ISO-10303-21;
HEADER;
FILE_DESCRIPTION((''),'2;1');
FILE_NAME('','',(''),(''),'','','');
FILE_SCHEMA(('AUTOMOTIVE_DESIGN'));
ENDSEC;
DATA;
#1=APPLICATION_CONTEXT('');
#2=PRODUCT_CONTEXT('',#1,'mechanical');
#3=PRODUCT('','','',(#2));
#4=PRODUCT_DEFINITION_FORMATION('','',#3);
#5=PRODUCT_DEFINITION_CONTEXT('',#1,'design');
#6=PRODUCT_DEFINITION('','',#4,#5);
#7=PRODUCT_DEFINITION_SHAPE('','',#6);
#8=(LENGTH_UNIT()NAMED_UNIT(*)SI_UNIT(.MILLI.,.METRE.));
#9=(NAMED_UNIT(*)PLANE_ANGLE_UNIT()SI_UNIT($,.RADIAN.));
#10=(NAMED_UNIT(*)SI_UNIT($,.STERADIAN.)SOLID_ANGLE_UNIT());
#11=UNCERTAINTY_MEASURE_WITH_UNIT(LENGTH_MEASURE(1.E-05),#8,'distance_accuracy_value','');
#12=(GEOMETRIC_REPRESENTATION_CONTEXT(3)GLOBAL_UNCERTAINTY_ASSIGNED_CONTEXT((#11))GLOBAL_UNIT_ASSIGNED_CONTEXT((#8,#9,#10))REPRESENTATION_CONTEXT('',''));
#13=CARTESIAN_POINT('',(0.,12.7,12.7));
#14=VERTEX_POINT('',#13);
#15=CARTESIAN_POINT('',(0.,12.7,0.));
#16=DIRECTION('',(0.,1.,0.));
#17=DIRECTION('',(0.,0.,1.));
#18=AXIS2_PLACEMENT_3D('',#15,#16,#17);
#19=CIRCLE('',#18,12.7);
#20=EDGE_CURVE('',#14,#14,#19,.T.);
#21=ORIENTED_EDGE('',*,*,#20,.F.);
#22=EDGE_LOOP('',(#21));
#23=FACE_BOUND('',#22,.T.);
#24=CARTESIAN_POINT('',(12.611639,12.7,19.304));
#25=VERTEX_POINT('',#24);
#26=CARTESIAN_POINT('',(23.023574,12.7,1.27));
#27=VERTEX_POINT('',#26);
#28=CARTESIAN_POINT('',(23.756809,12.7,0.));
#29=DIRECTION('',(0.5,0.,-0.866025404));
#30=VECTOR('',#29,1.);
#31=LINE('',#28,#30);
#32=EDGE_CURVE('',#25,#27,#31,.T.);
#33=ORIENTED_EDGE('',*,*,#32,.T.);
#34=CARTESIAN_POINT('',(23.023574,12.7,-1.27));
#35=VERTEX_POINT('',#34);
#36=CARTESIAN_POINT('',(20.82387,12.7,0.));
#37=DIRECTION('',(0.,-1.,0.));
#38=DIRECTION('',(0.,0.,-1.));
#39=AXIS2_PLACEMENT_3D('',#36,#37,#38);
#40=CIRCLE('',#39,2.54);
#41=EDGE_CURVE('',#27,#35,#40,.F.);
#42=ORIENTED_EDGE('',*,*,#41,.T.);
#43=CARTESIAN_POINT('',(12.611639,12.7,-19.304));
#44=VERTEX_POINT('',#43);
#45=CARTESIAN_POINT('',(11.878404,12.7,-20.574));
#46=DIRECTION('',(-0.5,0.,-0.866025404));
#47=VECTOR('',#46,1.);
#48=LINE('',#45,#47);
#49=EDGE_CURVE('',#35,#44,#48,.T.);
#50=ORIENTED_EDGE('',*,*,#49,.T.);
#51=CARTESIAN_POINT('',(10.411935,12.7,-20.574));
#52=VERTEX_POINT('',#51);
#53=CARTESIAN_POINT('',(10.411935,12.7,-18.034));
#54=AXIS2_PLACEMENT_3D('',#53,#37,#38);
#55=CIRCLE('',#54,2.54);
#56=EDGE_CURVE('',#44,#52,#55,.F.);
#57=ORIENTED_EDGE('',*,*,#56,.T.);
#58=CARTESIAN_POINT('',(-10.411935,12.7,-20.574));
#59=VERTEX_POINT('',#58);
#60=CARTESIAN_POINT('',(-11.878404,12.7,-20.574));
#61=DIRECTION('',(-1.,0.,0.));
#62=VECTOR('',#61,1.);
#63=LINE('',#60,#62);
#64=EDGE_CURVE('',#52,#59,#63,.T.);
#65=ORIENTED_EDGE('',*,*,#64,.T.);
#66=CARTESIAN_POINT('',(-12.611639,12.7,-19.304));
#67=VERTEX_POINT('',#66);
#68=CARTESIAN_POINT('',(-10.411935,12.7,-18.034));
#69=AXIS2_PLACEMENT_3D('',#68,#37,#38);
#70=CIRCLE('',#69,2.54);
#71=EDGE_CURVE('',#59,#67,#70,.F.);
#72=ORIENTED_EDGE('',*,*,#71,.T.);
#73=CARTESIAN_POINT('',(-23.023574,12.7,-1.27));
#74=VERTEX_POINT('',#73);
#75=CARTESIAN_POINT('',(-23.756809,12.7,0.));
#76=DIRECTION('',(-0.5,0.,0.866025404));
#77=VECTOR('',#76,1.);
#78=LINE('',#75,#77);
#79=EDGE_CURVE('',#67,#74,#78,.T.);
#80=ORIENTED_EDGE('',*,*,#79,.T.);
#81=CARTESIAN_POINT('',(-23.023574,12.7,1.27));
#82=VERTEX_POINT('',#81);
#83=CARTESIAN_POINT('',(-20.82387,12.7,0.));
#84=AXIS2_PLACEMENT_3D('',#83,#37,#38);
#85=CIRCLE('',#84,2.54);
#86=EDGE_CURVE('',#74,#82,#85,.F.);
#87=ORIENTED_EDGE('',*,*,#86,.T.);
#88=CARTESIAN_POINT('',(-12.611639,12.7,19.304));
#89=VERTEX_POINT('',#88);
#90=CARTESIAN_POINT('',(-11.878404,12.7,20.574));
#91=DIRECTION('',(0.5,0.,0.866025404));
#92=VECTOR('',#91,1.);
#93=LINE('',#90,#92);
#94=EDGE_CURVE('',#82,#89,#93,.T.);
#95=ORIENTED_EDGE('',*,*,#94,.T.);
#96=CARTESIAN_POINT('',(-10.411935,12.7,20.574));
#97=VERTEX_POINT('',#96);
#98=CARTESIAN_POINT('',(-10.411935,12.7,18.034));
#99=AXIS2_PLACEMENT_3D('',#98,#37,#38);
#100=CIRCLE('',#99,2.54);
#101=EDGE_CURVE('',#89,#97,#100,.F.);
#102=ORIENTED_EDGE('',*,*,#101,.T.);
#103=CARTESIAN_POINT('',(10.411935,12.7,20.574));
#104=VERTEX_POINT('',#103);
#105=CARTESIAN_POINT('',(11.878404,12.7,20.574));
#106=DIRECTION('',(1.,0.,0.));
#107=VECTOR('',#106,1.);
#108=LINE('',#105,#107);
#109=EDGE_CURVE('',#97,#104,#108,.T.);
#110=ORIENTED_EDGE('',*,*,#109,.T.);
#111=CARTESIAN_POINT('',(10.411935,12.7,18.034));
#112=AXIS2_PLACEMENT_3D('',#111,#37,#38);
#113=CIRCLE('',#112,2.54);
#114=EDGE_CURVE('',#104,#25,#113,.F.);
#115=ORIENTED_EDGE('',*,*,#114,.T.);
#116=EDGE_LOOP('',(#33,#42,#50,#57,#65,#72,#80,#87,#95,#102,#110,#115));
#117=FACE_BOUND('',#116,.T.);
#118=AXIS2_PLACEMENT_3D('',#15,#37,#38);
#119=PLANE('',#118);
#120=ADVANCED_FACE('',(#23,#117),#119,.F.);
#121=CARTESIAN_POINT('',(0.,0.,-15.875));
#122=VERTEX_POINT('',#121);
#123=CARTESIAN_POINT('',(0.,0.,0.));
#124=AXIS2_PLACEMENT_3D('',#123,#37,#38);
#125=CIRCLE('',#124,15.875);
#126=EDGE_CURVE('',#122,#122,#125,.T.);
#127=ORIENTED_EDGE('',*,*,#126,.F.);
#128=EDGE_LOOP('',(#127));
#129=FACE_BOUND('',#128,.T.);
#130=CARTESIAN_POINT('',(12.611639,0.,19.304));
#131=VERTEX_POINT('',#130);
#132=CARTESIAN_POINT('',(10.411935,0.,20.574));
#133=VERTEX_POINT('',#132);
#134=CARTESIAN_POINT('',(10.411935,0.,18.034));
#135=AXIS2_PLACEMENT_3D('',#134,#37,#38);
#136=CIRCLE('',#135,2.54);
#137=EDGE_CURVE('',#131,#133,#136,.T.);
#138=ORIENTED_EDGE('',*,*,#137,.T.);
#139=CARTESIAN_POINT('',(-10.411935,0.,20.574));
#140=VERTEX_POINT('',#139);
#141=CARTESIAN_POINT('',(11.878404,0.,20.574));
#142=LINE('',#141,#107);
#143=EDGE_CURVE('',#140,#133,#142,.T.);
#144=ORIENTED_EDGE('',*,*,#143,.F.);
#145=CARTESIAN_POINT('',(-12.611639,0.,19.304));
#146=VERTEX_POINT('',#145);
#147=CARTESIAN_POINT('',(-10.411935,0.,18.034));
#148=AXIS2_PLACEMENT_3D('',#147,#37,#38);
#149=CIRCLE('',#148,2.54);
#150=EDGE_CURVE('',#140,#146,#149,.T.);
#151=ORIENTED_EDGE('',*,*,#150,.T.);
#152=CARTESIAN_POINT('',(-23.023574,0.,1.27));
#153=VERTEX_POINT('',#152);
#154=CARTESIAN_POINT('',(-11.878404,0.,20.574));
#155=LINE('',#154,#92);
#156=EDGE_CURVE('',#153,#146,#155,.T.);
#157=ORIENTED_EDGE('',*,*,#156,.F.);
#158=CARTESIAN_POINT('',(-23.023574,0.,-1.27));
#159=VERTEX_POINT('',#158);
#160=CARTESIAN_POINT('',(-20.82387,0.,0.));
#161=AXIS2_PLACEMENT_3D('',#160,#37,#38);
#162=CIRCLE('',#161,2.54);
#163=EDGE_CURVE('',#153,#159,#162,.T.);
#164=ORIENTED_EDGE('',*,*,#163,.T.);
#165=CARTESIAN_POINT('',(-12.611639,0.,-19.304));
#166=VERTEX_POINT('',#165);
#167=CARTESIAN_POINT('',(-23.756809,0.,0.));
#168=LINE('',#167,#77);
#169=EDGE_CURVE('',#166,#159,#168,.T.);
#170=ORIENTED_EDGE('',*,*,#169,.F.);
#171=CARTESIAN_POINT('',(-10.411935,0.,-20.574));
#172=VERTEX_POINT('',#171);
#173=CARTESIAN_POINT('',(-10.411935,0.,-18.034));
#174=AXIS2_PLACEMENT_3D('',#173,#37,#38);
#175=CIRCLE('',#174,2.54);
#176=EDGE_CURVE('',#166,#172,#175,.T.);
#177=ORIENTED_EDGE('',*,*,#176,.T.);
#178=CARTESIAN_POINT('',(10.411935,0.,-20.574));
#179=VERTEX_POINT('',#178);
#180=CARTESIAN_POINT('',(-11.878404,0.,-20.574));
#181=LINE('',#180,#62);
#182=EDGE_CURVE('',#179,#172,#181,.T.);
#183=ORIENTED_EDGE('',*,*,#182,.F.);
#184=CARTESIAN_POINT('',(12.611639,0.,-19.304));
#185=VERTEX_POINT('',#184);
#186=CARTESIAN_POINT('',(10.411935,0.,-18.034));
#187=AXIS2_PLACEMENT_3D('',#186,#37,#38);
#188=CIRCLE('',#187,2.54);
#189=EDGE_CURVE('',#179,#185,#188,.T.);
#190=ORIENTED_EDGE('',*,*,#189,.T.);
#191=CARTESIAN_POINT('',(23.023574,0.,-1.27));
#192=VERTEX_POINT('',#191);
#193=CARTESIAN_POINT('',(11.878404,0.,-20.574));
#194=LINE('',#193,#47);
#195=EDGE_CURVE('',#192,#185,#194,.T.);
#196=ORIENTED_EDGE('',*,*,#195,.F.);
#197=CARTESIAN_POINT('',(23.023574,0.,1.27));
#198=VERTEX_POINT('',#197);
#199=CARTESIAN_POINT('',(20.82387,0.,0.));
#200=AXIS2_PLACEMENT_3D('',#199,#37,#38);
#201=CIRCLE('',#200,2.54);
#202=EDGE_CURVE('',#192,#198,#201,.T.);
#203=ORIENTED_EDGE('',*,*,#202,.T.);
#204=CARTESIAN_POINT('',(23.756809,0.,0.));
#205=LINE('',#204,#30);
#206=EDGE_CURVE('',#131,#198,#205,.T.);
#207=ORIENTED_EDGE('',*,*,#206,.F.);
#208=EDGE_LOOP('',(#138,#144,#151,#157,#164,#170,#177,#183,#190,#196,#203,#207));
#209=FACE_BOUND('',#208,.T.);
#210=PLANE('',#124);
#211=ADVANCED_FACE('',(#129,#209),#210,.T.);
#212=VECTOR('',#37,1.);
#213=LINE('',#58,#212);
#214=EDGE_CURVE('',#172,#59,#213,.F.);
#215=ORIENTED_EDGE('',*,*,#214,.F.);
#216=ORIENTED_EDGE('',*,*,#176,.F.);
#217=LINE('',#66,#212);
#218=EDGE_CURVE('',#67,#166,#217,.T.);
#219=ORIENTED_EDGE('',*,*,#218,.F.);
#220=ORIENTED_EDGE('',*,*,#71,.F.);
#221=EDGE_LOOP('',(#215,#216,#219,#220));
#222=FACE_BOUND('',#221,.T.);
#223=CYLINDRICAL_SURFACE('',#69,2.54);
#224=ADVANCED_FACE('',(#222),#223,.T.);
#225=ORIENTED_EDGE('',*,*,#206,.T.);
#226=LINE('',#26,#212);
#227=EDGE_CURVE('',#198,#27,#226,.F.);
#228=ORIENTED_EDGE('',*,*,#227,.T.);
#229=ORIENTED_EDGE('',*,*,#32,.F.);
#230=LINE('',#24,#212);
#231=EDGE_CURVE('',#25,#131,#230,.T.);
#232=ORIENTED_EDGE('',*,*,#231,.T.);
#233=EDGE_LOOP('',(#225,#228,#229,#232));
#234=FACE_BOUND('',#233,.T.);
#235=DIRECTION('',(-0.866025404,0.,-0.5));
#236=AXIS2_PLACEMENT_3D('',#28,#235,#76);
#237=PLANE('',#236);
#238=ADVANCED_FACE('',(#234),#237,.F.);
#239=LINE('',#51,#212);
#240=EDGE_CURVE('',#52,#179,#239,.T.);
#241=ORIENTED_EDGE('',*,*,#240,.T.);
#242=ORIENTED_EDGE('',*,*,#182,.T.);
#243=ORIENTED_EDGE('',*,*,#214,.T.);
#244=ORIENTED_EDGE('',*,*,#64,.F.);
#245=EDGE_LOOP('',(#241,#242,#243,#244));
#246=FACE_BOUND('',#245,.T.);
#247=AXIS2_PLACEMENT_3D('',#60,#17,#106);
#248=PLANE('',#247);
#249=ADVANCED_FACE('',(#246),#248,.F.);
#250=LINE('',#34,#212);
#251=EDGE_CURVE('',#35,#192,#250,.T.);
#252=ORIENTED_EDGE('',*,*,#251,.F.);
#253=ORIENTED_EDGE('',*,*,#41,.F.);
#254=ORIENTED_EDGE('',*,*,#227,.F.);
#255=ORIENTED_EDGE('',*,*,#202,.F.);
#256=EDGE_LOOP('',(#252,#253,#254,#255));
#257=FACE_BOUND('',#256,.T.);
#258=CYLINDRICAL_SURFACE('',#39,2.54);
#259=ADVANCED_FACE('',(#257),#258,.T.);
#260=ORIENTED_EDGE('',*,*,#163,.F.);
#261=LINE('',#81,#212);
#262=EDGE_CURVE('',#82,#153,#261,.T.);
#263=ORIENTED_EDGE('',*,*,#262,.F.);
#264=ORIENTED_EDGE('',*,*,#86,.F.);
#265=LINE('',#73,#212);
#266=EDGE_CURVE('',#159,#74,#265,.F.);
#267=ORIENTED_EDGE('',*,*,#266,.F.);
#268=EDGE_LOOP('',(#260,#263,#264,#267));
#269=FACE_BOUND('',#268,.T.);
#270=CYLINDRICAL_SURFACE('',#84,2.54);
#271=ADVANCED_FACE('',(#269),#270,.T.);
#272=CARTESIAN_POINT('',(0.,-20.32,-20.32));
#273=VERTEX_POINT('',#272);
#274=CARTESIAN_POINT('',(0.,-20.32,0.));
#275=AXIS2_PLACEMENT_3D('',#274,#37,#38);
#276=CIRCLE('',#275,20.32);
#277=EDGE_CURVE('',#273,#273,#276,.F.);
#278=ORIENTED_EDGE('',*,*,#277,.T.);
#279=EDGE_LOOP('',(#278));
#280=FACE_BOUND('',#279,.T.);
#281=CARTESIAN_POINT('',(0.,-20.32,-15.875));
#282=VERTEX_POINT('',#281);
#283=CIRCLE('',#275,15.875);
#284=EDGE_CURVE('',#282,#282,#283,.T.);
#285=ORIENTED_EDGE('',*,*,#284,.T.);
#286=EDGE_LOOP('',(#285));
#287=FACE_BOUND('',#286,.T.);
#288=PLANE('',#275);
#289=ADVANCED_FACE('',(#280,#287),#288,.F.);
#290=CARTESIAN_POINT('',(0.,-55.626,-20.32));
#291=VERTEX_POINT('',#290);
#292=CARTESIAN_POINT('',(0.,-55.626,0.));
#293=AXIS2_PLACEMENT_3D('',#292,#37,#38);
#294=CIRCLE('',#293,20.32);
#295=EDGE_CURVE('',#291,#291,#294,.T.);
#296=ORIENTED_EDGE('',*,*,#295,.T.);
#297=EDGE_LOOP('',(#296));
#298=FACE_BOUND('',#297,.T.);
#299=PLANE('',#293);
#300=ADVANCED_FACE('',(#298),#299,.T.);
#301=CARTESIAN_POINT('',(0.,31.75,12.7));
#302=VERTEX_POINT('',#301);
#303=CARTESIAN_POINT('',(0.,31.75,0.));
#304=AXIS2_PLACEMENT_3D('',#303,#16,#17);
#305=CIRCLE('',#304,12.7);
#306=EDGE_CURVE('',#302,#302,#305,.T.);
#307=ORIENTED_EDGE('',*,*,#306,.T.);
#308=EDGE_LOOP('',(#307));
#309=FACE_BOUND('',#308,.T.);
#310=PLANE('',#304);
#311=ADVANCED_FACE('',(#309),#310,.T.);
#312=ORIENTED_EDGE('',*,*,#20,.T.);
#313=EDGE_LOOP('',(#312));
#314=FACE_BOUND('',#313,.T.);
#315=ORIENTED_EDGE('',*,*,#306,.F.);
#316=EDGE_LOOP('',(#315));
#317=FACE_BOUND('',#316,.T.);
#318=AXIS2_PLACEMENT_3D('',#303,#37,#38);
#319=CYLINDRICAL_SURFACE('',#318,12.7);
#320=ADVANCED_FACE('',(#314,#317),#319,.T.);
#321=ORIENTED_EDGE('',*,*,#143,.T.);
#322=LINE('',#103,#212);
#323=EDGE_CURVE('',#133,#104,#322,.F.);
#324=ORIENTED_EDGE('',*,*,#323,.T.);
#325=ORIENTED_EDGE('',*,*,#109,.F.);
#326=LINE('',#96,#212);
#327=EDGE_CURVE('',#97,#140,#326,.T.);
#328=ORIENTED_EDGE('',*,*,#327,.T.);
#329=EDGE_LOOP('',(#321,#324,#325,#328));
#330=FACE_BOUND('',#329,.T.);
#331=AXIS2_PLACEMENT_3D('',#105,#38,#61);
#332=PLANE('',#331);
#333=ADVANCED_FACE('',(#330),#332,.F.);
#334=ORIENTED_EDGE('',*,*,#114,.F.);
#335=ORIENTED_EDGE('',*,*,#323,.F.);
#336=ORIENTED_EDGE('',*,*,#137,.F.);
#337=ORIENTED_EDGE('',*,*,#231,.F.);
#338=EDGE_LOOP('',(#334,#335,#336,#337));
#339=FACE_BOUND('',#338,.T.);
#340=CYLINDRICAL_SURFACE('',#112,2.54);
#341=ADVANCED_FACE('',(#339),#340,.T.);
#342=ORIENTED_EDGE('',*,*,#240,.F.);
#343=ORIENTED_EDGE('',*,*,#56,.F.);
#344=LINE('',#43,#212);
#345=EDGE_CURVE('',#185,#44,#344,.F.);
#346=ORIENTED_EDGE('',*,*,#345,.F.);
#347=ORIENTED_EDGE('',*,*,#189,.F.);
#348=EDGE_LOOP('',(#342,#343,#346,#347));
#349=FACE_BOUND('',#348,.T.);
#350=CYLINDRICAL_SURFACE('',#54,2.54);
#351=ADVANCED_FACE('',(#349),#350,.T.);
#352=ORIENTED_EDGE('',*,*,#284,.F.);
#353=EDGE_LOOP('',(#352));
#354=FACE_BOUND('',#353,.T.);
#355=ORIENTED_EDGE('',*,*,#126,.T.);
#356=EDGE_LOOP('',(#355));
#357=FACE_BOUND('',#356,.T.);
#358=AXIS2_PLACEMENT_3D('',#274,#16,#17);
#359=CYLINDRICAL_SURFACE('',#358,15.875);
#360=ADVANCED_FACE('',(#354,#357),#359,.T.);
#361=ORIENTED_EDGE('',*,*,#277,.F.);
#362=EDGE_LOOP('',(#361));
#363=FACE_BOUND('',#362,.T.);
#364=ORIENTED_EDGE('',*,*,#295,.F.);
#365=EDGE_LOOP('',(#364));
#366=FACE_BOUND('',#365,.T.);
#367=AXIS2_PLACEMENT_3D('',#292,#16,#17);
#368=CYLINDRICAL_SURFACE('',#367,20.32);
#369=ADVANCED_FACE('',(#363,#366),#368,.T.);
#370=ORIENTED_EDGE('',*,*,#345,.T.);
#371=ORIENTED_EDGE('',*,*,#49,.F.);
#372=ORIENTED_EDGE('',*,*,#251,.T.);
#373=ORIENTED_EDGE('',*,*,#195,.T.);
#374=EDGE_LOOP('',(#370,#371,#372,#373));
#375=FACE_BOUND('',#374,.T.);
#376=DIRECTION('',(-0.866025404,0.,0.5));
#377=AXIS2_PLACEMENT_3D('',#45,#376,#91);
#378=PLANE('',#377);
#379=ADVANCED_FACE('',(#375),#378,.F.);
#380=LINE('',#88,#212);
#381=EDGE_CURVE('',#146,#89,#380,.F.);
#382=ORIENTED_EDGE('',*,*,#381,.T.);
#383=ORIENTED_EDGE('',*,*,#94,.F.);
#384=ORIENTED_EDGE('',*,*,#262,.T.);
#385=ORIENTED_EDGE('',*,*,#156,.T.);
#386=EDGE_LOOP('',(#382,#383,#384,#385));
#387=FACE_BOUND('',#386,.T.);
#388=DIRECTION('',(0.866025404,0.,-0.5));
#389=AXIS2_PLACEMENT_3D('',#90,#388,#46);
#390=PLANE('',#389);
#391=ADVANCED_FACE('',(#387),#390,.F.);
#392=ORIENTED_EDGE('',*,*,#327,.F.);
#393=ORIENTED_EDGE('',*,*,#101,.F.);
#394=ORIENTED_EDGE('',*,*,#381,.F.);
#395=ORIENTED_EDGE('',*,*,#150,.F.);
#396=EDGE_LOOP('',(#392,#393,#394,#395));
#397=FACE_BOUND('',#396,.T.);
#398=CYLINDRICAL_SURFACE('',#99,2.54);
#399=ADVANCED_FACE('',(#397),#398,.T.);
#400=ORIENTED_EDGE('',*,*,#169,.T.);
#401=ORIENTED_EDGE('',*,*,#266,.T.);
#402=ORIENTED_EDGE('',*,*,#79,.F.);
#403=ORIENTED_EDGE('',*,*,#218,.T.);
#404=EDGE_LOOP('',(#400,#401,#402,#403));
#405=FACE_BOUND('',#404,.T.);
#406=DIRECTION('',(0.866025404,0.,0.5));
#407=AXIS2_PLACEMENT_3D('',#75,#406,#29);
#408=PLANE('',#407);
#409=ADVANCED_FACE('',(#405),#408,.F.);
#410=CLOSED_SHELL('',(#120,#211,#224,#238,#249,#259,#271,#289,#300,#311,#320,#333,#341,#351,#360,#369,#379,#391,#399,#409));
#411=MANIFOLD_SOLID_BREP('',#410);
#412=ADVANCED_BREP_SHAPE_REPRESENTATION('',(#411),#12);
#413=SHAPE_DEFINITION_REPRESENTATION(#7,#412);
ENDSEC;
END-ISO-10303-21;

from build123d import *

# Parameters (mm, degrees)
BOSS_EXTRUDE1_DEPTH = 12.7
FILLET1_R           = 2.54
SKETCH2_R           = 20.32
BOSS_EXTRUDE4_DEPTH = 55.626
SKETCH4_R           = 20.32
SKETCH4_R_2         = 15.875
CUT_EXTRUDE1_DEPTH  = 20.32
SKETCH5_R           = 12.7
BOSS_EXTRUDE5_DEPTH = 19.05


with BuildPart() as part:
    # Sketch1 → Boss-Extrude1 (new body)
    with BuildSketch(Plane(origin=(0, 0, 0), x_dir=(1, 0, 0), z_dir=(0, 1, 0))):
        Polygon((-11.878404438, 20.574), (11.878404438, 20.574), (23.756808877, 0), (11.878404438, -20.574), (-11.878404438, -20.574), (-23.756808877, 0), align=None)
    extrude(amount=BOSS_EXTRUDE1_DEPTH)

    # Fillet1
    fillet1_edges = [part.edges().sort_by_distance(p)[0] for p in [
        (-11.878404438, 6.35, -20.574),
        (11.878404438, 6.35, -20.574),
        (23.756808877, 6.35, 0),
        (11.878404438, 6.35, 20.574),
        (-11.878404438, 6.35, 20.574),
        (-23.756808877, 6.35, 0),
    ]]
    fillet(fillet1_edges, radius=FILLET1_R)

    # Sketch2 → Boss-Extrude4 (add)
    with BuildSketch(Plane.XZ):
        Circle(SKETCH2_R)
    extrude(amount=BOSS_EXTRUDE4_DEPTH)

    # Sketch4 → Cut-Extrude1 (cut)
    with BuildSketch(Plane.XZ):
        Circle(SKETCH4_R)
        Circle(SKETCH4_R_2, mode=Mode.SUBTRACT)
    extrude(amount=CUT_EXTRUDE1_DEPTH, mode=Mode.SUBTRACT)

    # Sketch5 → Boss-Extrude5 (add)
    with BuildSketch(Plane(origin=(0, 12.7, 0), x_dir=(1, 0, 0), z_dir=(0, 1, 0))):
        Circle(SKETCH5_R)
    extrude(amount=BOSS_EXTRUDE5_DEPTH)


solid = part.part
